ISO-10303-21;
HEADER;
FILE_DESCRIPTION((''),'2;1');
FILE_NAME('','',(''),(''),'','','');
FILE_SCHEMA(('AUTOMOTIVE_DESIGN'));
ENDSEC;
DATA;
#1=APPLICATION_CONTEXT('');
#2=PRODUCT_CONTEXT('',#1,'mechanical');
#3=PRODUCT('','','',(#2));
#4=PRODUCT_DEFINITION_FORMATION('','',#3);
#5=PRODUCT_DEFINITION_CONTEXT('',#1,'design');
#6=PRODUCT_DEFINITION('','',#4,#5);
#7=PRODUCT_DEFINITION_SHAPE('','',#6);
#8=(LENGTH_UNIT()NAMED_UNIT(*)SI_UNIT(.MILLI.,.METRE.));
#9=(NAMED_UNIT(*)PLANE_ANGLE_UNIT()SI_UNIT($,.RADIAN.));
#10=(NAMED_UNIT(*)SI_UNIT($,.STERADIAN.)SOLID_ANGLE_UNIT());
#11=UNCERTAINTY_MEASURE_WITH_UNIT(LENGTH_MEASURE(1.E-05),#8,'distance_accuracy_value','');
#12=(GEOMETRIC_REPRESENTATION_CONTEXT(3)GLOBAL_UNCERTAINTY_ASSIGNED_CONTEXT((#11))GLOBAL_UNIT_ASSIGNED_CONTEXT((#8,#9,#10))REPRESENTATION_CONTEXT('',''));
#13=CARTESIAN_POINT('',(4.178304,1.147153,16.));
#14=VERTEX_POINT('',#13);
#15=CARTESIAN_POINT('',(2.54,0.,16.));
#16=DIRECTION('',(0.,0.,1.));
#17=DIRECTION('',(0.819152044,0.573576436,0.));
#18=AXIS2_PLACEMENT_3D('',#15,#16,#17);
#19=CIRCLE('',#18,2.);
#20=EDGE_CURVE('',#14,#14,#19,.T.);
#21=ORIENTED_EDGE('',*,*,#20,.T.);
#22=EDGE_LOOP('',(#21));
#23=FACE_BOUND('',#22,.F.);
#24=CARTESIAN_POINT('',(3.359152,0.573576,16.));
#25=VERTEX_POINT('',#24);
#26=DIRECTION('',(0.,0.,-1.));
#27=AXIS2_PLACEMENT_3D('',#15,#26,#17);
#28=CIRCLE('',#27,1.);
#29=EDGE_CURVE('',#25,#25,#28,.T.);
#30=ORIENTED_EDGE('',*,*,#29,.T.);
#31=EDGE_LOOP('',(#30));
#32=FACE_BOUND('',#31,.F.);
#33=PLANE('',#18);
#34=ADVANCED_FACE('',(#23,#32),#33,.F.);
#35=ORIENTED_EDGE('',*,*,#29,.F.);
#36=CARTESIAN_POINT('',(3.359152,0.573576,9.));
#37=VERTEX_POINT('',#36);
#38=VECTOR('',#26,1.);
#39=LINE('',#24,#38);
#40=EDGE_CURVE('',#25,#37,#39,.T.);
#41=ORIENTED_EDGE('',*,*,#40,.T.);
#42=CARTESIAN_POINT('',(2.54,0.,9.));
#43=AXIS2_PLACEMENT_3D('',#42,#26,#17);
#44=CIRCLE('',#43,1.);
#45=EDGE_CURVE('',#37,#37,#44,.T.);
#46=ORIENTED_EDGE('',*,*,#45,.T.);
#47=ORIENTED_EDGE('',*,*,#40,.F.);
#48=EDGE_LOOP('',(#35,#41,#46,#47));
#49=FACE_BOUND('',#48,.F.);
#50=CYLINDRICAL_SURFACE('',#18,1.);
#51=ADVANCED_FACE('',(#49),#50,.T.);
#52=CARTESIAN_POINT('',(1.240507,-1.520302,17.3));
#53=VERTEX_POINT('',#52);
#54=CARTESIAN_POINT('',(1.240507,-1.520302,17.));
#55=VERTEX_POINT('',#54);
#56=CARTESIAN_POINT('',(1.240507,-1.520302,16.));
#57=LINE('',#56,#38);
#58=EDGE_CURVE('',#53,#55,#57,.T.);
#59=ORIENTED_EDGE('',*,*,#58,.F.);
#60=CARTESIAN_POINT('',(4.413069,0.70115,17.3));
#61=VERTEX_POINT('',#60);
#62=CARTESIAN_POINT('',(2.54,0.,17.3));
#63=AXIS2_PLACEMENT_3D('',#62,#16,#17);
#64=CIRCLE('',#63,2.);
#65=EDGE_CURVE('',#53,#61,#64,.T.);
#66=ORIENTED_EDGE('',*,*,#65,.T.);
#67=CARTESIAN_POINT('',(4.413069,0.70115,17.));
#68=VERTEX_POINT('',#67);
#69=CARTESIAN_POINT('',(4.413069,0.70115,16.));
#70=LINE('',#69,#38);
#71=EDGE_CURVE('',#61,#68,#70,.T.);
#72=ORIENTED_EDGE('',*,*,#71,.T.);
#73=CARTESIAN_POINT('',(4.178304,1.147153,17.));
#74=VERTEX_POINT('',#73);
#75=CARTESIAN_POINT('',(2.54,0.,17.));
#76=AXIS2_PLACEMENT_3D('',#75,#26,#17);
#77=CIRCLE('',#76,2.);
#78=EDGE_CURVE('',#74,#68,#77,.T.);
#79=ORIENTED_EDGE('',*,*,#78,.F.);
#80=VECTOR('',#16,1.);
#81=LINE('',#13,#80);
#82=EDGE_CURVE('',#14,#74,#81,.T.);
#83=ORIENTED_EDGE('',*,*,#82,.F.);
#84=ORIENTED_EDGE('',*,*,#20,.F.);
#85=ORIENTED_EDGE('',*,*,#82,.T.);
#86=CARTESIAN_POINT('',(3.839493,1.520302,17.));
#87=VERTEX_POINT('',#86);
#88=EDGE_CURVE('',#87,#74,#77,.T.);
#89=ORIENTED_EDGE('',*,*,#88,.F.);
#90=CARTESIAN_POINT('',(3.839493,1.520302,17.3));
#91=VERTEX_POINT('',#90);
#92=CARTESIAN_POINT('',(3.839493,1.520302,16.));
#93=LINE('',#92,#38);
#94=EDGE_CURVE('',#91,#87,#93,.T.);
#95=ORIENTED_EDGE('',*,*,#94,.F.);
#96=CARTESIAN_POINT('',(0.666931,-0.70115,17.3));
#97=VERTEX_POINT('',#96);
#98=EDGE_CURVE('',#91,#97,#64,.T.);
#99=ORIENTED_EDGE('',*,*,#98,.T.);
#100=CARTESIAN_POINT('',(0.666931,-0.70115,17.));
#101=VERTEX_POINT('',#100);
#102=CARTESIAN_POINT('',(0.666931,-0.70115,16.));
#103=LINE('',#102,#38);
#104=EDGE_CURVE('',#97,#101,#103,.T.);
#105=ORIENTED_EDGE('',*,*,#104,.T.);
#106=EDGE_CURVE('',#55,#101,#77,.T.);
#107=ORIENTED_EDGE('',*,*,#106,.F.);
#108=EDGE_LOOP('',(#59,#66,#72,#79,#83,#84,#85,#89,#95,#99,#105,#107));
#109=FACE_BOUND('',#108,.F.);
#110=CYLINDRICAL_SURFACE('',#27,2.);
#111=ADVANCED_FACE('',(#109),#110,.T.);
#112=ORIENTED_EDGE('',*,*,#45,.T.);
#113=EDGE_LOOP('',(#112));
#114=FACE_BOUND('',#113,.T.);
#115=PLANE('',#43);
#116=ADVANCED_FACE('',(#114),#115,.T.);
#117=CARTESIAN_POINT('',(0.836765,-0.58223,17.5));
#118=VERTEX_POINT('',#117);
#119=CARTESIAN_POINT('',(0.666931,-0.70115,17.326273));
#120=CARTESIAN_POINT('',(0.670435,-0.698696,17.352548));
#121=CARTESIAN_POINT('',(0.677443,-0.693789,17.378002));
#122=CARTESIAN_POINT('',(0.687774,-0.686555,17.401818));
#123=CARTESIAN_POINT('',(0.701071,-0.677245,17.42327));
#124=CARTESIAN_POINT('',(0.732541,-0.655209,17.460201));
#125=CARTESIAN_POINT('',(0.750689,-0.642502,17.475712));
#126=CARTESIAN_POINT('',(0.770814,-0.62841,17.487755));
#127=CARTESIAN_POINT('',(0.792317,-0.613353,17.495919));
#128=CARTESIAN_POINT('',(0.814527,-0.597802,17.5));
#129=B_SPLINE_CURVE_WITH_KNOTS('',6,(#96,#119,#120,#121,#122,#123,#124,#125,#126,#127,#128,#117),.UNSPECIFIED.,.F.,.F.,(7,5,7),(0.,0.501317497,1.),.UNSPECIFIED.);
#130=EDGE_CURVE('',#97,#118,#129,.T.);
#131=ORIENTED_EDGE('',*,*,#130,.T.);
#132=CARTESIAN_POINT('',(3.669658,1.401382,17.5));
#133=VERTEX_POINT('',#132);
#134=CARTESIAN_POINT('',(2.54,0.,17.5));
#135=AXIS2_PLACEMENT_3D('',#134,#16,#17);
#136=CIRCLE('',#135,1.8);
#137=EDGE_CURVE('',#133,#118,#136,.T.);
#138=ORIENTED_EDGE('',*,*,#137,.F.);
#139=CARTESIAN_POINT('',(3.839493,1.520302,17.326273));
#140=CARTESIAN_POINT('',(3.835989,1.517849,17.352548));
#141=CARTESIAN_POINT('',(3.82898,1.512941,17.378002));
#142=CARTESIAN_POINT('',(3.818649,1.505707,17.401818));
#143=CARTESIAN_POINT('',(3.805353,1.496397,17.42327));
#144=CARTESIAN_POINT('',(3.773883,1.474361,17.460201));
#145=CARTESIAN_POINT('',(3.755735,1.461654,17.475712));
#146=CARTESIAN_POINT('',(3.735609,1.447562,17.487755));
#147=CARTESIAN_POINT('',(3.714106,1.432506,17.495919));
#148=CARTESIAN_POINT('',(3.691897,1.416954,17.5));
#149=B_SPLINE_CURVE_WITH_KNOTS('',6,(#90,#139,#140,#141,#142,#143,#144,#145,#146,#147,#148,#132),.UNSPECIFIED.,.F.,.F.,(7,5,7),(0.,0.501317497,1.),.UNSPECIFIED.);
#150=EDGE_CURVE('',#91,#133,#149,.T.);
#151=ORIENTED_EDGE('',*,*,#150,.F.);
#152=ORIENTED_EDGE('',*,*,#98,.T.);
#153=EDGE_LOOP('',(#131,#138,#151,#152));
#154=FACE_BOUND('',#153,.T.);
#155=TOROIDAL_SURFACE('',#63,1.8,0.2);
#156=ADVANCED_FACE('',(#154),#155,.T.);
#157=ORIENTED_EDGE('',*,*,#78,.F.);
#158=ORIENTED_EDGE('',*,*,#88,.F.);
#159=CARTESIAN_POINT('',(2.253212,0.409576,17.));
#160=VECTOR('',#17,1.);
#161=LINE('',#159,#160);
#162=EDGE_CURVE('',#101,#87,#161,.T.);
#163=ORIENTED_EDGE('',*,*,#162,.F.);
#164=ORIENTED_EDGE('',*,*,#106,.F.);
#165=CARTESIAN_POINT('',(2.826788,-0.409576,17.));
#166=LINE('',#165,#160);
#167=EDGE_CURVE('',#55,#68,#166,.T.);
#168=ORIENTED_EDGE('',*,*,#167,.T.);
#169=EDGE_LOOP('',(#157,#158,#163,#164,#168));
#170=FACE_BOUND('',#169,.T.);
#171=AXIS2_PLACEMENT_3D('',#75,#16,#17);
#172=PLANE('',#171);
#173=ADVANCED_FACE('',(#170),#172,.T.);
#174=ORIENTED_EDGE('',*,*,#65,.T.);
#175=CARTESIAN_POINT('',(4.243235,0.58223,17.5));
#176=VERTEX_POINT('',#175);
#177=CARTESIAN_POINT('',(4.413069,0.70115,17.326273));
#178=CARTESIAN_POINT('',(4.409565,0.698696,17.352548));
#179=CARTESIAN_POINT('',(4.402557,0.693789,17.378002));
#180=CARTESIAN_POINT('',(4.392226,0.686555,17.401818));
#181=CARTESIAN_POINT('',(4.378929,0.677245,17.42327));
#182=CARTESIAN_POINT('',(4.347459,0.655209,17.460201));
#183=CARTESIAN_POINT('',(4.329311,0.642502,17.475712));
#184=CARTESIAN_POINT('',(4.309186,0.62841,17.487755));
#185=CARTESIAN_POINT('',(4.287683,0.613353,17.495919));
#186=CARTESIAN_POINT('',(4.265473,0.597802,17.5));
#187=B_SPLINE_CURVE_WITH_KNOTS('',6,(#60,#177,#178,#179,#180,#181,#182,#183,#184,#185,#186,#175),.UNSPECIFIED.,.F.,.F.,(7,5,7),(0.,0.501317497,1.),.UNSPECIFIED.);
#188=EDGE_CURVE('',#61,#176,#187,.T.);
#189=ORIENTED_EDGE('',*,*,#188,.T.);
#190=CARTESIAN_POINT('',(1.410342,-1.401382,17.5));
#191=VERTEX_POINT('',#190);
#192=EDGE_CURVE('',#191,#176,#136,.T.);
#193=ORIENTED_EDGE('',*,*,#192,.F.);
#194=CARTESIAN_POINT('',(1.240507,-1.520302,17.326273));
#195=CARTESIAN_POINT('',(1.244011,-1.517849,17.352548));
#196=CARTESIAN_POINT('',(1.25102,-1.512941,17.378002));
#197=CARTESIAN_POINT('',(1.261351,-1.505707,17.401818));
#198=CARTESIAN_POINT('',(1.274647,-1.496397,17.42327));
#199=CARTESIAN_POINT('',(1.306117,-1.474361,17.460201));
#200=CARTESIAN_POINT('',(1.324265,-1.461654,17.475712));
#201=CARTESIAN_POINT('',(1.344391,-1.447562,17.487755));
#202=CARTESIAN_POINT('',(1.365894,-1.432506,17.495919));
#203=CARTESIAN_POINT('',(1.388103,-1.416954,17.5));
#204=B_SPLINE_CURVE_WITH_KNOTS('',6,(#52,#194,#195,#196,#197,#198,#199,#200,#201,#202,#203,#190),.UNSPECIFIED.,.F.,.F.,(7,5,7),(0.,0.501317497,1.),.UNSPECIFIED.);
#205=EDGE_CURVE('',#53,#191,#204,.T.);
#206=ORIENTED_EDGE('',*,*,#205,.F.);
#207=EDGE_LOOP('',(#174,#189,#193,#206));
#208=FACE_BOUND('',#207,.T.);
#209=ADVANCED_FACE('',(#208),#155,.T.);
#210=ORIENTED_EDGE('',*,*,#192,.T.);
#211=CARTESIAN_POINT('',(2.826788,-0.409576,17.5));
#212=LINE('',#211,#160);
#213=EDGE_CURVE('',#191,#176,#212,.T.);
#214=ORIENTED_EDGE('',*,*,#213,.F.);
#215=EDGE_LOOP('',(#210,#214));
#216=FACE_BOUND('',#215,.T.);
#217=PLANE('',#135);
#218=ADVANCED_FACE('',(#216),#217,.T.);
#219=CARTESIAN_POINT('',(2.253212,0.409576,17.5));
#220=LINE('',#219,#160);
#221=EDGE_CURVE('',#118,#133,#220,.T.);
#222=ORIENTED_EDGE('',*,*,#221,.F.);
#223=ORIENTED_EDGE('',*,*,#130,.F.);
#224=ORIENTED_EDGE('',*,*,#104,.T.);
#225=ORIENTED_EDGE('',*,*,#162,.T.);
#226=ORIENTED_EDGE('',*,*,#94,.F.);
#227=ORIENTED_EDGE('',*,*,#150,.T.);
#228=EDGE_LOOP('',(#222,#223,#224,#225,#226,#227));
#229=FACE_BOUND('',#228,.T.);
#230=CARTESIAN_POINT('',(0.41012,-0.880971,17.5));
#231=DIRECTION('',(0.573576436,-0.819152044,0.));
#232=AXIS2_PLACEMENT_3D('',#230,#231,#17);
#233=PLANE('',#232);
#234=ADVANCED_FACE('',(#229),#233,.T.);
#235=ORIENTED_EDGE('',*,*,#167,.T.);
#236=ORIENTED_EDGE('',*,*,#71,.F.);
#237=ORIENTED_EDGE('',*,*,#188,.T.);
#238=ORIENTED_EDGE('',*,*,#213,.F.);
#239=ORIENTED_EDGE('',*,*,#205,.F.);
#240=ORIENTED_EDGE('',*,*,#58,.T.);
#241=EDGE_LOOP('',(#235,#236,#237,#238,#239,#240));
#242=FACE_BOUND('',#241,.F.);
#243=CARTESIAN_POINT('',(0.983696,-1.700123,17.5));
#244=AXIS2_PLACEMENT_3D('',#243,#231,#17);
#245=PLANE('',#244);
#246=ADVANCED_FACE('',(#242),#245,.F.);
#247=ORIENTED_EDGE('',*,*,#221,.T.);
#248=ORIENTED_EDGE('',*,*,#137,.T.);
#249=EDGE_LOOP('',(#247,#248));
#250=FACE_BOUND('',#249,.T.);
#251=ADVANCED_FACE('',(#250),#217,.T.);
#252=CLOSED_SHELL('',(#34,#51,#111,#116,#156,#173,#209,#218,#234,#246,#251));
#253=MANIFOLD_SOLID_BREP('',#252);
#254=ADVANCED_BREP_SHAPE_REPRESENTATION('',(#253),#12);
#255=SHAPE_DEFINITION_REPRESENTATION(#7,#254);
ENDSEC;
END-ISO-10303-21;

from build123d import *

# Parameters (mm, degrees)
SKETCH003_R             = 2
PAD001_DEPTH            = 1.5
SKETCH004_R             = 1
PAD002_DEPTH            = 7
FILLET_R                = 0.2
SKETCH005_W             = 4.5
SKETCH005_H             = 1
POCKET002_DEPTH         = 0.5
BODY001_PLACEMENT_ANGLE = 35


with BuildPart() as part:
    # Sketch003 → Pad001 (new body)
    with BuildSketch(Plane.XY):
        Circle(SKETCH003_R)
    extrude(amount=PAD001_DEPTH)

    # Sketch004 (on Face2 of Pad001) → Pad002 (join)
    with BuildSketch(Plane(origin=(0, 0, 0), x_dir=(1, 0, 0), z_dir=(0, 0, -1))):
        Circle(SKETCH004_R)
    extrude(amount=PAD002_DEPTH)

    # Fillet
    fillet_edges = [part.edges().sort_by_distance(p)[0] for p in [
        (-2, 0, 1.5),
    ]]
    fillet(fillet_edges, radius=FILLET_R)

    # Sketch005 (on Face3 of Pad002) → Pocket002 (cut)
    with BuildSketch(Plane.XY.offset(1.5)):
        Rectangle(SKETCH005_W, SKETCH005_H)
    extrude(amount=-POCKET002_DEPTH, mode=Mode.SUBTRACT)


with BuildPart() as part_1:
    # Body001 placement: moved
    add(part.part.moved(Location((2.54, 0, 16))).rotate(Axis((2.54, 0, 16), (0, 0, 1)), BODY001_PLACEMENT_ANGLE))


solid = part_1.part
